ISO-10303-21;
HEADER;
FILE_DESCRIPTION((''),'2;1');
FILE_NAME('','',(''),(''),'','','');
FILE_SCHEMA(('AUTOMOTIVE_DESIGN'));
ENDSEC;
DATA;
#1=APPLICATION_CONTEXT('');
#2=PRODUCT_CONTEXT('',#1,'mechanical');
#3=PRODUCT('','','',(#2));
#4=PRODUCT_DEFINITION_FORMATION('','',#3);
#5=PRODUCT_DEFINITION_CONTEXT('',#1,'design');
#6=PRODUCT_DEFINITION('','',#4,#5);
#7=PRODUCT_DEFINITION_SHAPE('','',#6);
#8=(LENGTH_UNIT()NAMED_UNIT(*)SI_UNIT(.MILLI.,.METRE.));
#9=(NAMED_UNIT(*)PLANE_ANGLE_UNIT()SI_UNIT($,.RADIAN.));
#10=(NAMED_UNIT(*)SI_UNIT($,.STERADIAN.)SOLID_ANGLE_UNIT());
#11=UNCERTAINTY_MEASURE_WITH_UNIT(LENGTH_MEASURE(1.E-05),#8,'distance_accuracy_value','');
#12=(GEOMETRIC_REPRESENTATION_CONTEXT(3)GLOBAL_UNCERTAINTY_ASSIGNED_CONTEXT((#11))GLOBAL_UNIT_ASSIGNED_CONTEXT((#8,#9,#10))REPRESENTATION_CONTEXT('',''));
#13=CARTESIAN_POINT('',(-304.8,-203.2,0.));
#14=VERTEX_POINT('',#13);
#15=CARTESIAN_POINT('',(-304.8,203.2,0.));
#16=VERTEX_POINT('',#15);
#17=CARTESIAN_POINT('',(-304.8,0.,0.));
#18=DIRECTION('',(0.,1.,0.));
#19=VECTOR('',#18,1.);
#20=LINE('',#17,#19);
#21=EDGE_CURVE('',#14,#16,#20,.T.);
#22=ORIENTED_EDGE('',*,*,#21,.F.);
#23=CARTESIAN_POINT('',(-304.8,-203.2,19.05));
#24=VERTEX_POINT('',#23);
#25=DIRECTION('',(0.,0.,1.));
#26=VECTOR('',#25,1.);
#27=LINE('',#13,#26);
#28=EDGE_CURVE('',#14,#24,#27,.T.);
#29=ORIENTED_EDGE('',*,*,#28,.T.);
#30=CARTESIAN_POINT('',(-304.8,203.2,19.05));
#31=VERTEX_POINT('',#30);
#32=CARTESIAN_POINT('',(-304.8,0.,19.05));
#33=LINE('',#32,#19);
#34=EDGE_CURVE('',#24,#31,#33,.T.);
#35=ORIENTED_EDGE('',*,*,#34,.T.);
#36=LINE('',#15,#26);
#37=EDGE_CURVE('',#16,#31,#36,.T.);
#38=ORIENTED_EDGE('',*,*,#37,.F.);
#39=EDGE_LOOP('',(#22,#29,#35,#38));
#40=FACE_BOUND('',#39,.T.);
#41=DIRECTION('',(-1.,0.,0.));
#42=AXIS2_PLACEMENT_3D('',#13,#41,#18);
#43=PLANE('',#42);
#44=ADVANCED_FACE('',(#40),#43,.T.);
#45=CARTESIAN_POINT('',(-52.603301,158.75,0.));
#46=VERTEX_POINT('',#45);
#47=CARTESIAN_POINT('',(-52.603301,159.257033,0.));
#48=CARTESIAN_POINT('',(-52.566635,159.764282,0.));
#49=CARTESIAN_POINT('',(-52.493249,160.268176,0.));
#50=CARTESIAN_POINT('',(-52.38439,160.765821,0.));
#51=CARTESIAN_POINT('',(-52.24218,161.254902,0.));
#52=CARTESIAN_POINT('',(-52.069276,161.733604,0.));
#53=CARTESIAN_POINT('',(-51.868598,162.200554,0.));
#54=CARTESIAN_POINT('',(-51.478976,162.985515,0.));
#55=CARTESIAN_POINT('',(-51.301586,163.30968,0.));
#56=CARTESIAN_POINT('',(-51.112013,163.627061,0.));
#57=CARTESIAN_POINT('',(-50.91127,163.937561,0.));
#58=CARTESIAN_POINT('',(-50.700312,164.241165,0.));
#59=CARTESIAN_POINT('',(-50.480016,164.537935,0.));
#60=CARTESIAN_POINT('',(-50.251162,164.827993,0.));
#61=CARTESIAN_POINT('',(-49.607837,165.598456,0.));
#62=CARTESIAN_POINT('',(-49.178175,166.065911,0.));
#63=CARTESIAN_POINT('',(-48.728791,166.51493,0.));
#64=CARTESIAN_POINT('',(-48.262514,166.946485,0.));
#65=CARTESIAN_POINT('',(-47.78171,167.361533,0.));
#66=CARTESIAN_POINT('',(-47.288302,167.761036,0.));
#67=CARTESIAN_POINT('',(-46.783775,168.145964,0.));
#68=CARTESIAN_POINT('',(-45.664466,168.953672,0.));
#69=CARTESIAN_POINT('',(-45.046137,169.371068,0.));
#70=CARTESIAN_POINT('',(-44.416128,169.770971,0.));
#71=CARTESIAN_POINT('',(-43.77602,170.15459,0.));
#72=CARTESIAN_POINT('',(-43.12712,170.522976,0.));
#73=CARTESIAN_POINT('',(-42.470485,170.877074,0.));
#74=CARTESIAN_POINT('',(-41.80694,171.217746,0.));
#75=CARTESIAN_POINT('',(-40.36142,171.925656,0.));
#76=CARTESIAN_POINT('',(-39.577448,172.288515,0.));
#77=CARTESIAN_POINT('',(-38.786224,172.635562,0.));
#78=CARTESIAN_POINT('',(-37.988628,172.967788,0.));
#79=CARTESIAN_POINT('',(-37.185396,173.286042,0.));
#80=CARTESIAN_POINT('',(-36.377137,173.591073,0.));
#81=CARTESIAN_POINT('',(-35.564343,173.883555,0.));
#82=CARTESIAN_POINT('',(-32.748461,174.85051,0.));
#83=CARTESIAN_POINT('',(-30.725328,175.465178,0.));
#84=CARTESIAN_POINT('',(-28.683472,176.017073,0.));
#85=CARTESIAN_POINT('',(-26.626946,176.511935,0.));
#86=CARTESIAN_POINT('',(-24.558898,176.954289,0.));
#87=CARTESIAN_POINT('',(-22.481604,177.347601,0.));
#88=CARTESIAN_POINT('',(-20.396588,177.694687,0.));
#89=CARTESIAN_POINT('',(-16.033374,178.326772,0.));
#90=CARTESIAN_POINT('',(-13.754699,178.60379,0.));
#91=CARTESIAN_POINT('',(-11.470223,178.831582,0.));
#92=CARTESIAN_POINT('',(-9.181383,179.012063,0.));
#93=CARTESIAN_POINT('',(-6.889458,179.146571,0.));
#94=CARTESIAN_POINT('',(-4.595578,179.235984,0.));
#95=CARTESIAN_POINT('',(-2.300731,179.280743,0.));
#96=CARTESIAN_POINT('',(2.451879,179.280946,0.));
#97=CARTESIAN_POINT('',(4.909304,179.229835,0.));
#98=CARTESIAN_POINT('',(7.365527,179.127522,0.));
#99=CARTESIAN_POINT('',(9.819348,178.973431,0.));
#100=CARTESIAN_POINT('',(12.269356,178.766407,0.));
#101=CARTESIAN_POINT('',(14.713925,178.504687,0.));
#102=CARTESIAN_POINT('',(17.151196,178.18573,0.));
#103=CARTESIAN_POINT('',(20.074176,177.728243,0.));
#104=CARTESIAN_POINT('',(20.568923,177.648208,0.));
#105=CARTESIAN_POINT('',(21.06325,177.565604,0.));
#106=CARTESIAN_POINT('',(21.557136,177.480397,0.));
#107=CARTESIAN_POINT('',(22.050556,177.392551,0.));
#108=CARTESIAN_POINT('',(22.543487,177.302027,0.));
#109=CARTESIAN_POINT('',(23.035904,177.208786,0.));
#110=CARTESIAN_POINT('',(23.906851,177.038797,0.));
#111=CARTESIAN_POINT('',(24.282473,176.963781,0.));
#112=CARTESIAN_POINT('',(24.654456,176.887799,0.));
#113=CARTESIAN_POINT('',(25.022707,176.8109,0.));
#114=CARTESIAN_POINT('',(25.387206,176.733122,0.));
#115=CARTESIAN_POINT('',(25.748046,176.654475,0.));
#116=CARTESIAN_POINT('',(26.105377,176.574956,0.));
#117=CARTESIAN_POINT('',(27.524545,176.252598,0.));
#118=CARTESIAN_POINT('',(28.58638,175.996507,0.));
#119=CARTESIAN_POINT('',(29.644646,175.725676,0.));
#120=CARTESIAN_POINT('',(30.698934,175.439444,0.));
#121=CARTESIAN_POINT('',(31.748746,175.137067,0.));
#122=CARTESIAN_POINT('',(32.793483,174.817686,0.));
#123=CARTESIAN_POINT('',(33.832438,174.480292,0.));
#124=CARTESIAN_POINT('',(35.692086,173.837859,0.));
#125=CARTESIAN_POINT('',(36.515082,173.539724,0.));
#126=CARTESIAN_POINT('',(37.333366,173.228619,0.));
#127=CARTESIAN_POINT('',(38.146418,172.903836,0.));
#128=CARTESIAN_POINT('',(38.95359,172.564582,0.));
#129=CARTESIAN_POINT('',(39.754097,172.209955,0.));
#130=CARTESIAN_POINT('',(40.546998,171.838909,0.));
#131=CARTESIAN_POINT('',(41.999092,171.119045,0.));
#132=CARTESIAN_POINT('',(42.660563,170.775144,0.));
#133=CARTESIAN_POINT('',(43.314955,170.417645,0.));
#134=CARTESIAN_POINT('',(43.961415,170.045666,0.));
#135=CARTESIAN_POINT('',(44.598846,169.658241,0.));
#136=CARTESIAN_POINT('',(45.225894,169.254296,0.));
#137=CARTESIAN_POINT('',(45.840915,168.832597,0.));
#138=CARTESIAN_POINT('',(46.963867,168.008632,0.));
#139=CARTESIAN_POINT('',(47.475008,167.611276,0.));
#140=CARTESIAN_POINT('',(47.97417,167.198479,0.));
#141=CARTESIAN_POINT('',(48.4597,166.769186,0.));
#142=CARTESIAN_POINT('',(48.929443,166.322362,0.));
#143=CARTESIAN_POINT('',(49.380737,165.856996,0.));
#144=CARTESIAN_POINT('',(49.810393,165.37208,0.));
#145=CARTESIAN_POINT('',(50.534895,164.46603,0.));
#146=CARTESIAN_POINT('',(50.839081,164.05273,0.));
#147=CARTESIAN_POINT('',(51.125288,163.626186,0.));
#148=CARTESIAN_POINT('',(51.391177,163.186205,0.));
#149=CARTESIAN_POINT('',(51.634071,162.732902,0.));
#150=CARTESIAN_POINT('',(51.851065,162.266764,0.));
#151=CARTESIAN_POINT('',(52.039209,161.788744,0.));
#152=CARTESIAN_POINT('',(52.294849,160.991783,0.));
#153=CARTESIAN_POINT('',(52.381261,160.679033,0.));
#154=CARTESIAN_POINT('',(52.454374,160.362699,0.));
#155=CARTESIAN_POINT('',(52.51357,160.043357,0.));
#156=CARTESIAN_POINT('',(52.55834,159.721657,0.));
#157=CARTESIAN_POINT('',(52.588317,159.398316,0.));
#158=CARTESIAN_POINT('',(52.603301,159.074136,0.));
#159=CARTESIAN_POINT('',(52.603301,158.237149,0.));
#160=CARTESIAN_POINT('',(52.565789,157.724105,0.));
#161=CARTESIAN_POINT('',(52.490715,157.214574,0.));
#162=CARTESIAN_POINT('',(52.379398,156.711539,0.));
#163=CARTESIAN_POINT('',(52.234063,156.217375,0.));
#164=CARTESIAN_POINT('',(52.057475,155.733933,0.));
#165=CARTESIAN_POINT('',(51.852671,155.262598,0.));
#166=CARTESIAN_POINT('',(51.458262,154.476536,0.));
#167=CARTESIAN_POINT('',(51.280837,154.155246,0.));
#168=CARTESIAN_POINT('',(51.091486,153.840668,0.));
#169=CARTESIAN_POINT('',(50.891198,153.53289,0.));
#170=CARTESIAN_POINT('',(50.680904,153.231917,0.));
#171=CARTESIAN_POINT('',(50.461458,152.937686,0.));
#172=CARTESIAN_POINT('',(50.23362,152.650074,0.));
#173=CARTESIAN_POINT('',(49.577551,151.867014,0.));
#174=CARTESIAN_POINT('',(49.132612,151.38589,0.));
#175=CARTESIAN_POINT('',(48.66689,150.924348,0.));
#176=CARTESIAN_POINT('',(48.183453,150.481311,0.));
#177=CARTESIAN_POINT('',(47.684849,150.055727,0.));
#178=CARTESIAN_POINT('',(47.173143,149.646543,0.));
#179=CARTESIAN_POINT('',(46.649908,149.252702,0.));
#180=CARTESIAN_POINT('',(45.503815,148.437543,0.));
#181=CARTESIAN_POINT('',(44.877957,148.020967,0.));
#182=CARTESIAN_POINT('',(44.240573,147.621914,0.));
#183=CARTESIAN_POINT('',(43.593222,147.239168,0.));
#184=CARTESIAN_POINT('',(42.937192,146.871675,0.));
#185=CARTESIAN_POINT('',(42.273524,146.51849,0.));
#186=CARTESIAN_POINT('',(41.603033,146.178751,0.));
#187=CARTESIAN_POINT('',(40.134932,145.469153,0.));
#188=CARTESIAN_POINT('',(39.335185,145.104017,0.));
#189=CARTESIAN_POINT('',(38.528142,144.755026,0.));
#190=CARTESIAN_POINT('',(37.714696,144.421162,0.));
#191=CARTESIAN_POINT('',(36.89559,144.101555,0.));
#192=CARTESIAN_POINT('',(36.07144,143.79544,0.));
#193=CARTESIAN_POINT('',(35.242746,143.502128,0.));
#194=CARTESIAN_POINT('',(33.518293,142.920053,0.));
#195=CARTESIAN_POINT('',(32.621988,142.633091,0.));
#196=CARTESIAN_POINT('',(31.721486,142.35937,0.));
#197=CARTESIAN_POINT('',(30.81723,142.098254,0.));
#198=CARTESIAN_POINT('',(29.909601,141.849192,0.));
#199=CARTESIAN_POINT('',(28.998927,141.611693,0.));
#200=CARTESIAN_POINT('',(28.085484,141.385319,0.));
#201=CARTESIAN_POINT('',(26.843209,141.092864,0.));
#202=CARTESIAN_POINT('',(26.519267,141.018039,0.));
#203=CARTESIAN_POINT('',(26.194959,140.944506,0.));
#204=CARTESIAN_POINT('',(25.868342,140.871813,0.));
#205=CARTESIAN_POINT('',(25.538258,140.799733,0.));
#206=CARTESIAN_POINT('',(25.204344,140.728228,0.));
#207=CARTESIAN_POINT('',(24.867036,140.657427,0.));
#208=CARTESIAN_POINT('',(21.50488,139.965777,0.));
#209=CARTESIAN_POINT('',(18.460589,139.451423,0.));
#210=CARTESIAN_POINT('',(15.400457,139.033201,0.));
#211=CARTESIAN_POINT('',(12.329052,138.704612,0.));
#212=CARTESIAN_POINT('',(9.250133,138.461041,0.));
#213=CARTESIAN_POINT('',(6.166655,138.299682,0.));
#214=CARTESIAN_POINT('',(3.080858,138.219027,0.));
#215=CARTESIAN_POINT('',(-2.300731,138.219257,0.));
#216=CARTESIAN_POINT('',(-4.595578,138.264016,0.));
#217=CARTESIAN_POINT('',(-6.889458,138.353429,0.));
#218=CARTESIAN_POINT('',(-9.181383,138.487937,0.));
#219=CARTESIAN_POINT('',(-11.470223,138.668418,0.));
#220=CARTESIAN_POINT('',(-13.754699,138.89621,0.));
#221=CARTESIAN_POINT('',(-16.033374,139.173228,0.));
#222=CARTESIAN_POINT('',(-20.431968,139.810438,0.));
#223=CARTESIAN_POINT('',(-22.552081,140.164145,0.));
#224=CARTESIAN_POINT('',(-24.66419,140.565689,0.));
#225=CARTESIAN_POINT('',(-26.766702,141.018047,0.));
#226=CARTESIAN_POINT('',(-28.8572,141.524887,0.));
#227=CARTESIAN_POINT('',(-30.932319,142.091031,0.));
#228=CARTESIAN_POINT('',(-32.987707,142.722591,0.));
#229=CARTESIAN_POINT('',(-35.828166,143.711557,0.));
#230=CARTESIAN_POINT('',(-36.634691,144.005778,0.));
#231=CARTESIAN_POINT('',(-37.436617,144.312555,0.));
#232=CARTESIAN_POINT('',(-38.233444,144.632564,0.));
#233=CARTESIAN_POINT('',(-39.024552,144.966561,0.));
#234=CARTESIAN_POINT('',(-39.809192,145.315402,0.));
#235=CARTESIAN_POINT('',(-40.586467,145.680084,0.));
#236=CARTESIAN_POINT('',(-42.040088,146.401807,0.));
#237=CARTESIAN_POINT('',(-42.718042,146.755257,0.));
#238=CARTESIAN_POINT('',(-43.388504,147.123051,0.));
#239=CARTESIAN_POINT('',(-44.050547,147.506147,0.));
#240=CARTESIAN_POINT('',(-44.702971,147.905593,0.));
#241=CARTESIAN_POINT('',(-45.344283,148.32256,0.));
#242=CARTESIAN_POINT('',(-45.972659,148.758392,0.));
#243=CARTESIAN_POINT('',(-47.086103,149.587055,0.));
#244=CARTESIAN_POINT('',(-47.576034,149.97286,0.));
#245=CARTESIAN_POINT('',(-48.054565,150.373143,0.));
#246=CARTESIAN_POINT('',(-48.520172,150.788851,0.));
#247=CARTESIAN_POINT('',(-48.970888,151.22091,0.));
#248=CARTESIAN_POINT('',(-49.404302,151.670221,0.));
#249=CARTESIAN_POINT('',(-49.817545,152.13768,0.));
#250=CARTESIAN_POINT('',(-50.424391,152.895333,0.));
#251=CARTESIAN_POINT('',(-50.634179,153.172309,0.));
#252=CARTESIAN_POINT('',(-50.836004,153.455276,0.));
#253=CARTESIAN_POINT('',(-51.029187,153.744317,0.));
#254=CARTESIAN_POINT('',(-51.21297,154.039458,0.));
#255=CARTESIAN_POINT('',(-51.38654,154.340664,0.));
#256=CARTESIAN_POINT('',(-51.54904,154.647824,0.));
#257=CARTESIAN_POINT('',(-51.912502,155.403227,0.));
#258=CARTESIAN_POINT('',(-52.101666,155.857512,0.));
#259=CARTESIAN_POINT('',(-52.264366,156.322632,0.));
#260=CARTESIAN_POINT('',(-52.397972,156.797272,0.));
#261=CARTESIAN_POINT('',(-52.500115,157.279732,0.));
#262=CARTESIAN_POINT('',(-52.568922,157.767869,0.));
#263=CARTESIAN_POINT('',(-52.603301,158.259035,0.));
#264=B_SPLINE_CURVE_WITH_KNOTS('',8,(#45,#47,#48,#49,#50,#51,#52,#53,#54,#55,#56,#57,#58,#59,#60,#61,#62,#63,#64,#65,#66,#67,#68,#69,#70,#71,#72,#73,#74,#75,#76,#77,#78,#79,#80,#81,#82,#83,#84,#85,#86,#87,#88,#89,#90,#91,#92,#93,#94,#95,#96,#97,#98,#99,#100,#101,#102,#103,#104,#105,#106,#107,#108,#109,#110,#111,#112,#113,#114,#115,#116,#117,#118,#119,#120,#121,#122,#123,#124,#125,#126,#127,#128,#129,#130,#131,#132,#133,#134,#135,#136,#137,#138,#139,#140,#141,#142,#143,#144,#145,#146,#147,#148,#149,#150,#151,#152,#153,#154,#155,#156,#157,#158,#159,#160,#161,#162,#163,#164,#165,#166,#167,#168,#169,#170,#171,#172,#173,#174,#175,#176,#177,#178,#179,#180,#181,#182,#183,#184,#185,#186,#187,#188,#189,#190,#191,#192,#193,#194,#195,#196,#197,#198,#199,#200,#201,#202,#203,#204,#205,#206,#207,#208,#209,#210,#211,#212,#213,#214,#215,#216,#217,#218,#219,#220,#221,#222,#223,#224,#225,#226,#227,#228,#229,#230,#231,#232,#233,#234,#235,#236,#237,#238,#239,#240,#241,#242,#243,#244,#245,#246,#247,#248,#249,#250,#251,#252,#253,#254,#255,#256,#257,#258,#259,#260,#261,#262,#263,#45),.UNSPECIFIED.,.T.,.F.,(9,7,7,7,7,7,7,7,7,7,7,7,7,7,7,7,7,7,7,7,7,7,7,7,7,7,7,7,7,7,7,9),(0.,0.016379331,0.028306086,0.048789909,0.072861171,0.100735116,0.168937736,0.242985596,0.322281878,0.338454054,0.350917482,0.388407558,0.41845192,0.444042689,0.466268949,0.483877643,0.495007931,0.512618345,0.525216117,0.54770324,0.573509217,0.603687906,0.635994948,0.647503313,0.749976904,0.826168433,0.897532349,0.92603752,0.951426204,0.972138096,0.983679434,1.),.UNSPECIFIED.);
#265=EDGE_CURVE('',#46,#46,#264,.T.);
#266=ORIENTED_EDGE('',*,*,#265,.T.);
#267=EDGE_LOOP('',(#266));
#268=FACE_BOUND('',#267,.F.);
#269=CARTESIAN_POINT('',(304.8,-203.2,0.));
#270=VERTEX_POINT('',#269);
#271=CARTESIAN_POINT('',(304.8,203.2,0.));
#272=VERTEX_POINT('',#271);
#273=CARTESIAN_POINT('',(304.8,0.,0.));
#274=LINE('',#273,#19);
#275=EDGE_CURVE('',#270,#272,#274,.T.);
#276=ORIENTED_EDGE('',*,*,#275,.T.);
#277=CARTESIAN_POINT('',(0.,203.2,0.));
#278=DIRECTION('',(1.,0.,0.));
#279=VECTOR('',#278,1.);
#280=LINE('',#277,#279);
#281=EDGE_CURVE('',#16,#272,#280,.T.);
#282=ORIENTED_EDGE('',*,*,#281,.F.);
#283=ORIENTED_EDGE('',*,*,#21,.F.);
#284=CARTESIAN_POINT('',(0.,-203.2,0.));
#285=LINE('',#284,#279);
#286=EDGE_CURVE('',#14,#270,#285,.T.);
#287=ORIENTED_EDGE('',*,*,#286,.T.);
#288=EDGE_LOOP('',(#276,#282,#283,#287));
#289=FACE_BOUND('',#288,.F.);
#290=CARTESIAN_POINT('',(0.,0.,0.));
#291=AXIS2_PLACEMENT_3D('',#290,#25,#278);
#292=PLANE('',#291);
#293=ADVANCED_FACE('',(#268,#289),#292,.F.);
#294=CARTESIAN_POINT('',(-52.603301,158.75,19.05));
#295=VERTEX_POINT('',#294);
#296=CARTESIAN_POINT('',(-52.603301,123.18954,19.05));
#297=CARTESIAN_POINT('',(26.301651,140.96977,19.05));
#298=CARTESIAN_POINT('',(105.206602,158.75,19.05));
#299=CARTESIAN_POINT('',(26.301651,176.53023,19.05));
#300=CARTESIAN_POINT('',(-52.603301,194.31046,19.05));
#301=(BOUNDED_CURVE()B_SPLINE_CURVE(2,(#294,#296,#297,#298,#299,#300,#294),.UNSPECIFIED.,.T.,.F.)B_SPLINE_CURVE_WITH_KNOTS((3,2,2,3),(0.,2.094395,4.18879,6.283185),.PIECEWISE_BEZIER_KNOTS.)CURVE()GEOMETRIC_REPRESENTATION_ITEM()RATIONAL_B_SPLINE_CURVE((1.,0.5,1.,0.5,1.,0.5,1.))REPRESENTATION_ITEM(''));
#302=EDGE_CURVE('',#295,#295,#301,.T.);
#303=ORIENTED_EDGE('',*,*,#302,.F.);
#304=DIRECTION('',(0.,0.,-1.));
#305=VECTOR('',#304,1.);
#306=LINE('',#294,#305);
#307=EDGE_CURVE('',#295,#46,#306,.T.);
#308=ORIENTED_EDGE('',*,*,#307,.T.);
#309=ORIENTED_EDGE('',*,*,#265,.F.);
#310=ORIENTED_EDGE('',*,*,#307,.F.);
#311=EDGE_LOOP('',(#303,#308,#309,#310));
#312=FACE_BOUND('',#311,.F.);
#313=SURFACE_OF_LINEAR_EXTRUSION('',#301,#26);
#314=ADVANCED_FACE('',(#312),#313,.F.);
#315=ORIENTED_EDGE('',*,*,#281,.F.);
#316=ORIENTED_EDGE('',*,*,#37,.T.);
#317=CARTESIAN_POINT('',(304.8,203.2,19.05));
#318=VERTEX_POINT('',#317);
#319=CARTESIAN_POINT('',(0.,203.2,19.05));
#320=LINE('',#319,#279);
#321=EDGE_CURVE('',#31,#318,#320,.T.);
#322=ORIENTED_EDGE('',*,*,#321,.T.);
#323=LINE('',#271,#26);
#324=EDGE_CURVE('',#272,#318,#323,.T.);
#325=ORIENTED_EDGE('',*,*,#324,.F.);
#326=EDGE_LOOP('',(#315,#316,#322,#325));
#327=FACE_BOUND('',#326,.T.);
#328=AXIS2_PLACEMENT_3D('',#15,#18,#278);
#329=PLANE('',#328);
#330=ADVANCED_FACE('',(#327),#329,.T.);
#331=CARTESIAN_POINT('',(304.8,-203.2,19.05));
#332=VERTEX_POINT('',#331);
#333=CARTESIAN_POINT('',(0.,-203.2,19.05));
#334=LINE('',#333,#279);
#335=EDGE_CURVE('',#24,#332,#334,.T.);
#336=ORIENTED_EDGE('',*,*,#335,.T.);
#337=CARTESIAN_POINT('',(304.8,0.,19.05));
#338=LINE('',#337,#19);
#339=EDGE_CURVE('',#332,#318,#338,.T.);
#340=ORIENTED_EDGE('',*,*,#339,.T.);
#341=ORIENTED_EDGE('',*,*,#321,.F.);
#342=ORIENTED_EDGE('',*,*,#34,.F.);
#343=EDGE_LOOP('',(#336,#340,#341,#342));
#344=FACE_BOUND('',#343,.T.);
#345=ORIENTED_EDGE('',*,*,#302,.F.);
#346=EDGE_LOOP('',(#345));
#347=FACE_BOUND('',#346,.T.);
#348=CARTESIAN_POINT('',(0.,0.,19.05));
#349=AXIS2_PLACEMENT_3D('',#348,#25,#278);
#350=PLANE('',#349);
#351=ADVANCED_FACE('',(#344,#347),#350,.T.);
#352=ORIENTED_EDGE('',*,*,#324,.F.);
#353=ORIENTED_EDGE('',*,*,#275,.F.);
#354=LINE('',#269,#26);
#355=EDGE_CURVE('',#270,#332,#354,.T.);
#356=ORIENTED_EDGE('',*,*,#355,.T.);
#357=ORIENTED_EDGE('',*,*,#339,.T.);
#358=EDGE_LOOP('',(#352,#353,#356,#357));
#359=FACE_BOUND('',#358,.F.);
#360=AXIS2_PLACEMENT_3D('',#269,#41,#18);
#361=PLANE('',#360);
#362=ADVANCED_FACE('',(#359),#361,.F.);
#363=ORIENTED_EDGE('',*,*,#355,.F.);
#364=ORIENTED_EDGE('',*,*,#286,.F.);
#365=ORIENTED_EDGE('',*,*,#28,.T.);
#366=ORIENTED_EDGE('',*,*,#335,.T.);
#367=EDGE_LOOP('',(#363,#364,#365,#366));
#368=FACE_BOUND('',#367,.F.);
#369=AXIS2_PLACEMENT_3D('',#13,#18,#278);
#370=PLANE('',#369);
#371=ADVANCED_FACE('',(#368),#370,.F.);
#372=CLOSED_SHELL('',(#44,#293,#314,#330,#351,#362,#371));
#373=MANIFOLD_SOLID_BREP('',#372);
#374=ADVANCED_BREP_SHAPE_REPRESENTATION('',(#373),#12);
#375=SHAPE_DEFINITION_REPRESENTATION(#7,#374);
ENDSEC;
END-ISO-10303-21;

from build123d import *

# Parameters (mm, degrees)
F0_W     = 609.6
F0_H     = 406.4
F1_DEPTH = 19.05
F4_DEPTH = 25.4


with BuildPart() as f1:
    # F0 (on Top) → F1 (new body)
    with BuildSketch(Plane.XY):
        Rectangle(F0_W, F0_H)
    extrude(amount=F1_DEPTH)

    # F3 (on face) → F4 (cut)
    with BuildSketch(Plane.XY.offset(19.05)):
        with BuildLine():
            add(Edge.make_bspline(
                [(-52.603301, 158.75), (-52.603301, 123.18954), (26.301651, 140.96977), (105.206602, 158.75), (26.301651, 176.53023), (-52.603301, 194.31046), (-52.603301, 158.75)],
                knots=[0, 0, 0, 2.094395, 2.094395, 4.18879, 4.18879, 6.283185, 6.283185, 6.283185], degree=2, weights=[1, 0.5, 1, 0.5, 1, 0.5, 1]))
        make_face()
    extrude(amount=-F4_DEPTH, mode=Mode.SUBTRACT)


solid = f1.part
